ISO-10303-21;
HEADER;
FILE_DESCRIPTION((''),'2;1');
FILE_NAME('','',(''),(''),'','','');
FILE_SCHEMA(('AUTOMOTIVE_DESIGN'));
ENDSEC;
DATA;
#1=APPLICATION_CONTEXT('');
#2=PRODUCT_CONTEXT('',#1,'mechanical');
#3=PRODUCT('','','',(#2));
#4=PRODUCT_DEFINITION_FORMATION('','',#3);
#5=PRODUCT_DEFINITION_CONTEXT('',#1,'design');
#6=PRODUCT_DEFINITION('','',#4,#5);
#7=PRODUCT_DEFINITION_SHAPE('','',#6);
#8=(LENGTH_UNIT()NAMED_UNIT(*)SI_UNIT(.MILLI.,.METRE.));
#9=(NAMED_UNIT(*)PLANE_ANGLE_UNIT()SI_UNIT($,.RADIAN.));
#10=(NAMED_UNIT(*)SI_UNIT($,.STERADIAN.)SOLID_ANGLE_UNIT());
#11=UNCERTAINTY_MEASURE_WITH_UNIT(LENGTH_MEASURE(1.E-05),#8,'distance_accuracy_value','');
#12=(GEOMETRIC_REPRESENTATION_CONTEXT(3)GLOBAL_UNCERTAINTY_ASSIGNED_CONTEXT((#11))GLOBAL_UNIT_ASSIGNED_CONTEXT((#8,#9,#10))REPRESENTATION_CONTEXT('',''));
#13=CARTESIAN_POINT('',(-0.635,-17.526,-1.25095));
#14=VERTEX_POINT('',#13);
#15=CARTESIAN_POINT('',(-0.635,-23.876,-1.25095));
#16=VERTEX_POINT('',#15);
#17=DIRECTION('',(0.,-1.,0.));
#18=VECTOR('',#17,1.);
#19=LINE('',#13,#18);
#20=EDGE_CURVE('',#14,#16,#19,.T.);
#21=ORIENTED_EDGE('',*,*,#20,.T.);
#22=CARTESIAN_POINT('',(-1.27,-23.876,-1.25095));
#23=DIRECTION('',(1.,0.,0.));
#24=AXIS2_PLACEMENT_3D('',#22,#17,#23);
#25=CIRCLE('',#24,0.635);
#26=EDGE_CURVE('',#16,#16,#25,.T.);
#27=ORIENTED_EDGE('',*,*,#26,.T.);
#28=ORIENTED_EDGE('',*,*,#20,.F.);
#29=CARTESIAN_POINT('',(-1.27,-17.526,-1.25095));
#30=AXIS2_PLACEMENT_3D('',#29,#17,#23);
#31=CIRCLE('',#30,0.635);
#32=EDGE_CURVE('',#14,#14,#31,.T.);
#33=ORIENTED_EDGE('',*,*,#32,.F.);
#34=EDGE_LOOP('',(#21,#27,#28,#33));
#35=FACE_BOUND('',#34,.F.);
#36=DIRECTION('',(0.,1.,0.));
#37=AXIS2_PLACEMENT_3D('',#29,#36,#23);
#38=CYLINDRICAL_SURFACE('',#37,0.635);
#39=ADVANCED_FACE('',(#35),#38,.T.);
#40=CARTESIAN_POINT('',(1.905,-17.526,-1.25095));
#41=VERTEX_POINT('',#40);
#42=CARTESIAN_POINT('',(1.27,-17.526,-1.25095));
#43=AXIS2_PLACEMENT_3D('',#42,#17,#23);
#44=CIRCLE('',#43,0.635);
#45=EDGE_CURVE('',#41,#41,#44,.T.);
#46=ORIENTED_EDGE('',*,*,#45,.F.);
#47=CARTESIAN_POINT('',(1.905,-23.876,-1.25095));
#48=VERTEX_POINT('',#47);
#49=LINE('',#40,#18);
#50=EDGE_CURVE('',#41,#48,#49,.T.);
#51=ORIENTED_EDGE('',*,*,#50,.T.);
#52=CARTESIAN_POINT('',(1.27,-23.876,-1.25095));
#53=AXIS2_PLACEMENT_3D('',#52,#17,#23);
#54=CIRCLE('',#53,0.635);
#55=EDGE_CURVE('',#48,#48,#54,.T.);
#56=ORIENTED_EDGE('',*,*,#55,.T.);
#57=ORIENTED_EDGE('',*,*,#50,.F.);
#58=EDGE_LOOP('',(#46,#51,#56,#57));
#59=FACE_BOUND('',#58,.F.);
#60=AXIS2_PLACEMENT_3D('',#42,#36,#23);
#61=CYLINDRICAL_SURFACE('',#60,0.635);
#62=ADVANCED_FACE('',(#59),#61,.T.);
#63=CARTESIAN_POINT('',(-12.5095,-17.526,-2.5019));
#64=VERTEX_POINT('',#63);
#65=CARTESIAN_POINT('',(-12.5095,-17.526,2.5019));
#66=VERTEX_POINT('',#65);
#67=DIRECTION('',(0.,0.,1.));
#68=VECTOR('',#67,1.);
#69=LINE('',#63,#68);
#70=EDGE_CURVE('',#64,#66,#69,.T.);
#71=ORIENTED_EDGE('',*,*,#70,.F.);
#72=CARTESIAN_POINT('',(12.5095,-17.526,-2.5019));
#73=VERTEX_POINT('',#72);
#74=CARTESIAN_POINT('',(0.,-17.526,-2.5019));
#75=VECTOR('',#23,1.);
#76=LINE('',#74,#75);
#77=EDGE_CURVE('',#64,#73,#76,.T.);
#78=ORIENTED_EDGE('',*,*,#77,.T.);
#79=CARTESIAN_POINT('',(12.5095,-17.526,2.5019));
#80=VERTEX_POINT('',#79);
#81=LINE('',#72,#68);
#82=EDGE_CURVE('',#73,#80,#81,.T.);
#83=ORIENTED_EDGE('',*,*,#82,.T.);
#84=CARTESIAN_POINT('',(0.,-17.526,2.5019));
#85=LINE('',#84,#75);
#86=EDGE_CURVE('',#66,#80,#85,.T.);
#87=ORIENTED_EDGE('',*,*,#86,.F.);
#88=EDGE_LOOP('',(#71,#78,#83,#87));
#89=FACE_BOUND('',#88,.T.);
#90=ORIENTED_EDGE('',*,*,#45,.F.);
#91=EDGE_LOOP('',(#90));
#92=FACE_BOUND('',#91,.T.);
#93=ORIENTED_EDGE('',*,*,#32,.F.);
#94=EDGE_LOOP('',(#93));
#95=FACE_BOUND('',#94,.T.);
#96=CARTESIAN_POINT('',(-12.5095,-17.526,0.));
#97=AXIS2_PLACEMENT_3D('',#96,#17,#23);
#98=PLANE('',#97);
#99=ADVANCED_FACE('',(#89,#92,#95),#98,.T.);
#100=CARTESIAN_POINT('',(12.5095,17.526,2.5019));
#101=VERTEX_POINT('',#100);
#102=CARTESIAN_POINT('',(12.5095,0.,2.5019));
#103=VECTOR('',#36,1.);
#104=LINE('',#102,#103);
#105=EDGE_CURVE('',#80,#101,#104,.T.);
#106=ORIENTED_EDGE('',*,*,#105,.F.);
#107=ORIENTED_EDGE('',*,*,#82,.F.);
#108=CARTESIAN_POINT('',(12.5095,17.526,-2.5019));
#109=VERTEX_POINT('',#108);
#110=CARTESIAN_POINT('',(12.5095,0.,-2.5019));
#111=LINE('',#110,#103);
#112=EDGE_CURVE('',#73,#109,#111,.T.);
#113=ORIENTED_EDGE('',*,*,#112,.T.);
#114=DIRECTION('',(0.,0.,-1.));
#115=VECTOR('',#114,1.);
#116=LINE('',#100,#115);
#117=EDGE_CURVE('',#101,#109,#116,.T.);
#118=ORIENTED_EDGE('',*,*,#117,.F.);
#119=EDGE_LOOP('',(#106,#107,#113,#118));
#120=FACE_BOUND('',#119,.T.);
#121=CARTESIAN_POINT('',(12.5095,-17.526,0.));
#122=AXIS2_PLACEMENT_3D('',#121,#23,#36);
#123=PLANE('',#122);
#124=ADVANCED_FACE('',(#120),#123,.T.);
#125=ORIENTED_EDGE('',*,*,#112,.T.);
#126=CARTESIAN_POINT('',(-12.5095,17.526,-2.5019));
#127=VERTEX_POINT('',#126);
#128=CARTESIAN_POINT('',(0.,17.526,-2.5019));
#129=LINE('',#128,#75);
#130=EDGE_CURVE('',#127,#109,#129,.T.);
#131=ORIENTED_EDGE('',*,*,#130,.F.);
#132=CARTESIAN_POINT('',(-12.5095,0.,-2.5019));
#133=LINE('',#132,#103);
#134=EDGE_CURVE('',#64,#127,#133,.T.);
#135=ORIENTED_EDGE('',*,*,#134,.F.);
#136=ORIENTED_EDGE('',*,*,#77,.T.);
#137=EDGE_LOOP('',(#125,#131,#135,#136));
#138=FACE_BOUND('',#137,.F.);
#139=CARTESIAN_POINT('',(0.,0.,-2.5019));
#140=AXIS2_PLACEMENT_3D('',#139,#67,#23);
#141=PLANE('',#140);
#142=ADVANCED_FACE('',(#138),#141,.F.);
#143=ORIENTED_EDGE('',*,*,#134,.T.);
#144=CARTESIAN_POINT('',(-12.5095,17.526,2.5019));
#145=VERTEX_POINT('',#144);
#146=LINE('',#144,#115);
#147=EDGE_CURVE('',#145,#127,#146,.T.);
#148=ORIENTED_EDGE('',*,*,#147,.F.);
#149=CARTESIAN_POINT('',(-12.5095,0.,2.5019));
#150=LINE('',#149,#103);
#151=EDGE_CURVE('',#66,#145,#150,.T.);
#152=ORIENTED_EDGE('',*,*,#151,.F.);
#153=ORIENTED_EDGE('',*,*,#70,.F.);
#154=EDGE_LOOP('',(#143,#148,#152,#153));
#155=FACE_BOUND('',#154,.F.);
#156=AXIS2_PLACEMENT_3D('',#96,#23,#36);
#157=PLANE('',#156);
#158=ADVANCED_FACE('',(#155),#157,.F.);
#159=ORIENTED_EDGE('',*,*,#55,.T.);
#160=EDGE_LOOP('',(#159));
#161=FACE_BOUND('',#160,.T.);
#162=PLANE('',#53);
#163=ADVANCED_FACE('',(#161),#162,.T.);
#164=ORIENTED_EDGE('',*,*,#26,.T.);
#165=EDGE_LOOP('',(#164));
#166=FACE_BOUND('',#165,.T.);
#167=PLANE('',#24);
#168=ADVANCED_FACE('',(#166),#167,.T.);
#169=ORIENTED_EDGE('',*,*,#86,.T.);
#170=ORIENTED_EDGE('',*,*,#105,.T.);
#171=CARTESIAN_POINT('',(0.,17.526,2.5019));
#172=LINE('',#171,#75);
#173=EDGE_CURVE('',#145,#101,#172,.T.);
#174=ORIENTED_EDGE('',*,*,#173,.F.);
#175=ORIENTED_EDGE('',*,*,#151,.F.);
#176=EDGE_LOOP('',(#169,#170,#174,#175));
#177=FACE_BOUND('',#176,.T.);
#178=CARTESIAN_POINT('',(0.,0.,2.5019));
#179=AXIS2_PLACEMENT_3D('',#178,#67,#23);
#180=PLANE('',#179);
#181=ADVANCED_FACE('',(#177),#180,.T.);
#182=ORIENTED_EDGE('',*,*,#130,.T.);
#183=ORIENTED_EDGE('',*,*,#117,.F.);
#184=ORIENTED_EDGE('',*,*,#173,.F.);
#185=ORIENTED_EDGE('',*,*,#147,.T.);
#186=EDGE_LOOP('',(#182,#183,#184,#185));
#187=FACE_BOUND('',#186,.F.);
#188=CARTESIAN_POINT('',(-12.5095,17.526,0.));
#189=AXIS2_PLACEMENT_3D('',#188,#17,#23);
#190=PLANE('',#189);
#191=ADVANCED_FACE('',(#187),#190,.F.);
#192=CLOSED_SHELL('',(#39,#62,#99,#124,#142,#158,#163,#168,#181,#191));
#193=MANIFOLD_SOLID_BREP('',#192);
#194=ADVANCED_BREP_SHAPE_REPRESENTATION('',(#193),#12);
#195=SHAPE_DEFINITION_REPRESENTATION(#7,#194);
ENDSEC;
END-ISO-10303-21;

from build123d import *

# Parameters (mm, degrees)
F0_W     = 25.019
F0_H     = 35.052
F1_DEPTH = 2.5019
F2_R     = 0.635
F3_DEPTH = 6.35


with BuildPart() as f1:
    # F0 (on Top) → F1 (new body, symmetric)
    with BuildSketch(Plane.XY):
        Rectangle(F0_W, F0_H)
    extrude(amount=F1_DEPTH, both=True)

    # F2 (on face) → F3 (join)
    with BuildSketch(Plane.XZ.offset(17.526)):
        with Locations((-1.27, -1.25095)):
            Circle(F2_R)
        with Locations((1.27, -1.25095)):
            Circle(F2_R)
    extrude(amount=F3_DEPTH)


solid = f1.part
